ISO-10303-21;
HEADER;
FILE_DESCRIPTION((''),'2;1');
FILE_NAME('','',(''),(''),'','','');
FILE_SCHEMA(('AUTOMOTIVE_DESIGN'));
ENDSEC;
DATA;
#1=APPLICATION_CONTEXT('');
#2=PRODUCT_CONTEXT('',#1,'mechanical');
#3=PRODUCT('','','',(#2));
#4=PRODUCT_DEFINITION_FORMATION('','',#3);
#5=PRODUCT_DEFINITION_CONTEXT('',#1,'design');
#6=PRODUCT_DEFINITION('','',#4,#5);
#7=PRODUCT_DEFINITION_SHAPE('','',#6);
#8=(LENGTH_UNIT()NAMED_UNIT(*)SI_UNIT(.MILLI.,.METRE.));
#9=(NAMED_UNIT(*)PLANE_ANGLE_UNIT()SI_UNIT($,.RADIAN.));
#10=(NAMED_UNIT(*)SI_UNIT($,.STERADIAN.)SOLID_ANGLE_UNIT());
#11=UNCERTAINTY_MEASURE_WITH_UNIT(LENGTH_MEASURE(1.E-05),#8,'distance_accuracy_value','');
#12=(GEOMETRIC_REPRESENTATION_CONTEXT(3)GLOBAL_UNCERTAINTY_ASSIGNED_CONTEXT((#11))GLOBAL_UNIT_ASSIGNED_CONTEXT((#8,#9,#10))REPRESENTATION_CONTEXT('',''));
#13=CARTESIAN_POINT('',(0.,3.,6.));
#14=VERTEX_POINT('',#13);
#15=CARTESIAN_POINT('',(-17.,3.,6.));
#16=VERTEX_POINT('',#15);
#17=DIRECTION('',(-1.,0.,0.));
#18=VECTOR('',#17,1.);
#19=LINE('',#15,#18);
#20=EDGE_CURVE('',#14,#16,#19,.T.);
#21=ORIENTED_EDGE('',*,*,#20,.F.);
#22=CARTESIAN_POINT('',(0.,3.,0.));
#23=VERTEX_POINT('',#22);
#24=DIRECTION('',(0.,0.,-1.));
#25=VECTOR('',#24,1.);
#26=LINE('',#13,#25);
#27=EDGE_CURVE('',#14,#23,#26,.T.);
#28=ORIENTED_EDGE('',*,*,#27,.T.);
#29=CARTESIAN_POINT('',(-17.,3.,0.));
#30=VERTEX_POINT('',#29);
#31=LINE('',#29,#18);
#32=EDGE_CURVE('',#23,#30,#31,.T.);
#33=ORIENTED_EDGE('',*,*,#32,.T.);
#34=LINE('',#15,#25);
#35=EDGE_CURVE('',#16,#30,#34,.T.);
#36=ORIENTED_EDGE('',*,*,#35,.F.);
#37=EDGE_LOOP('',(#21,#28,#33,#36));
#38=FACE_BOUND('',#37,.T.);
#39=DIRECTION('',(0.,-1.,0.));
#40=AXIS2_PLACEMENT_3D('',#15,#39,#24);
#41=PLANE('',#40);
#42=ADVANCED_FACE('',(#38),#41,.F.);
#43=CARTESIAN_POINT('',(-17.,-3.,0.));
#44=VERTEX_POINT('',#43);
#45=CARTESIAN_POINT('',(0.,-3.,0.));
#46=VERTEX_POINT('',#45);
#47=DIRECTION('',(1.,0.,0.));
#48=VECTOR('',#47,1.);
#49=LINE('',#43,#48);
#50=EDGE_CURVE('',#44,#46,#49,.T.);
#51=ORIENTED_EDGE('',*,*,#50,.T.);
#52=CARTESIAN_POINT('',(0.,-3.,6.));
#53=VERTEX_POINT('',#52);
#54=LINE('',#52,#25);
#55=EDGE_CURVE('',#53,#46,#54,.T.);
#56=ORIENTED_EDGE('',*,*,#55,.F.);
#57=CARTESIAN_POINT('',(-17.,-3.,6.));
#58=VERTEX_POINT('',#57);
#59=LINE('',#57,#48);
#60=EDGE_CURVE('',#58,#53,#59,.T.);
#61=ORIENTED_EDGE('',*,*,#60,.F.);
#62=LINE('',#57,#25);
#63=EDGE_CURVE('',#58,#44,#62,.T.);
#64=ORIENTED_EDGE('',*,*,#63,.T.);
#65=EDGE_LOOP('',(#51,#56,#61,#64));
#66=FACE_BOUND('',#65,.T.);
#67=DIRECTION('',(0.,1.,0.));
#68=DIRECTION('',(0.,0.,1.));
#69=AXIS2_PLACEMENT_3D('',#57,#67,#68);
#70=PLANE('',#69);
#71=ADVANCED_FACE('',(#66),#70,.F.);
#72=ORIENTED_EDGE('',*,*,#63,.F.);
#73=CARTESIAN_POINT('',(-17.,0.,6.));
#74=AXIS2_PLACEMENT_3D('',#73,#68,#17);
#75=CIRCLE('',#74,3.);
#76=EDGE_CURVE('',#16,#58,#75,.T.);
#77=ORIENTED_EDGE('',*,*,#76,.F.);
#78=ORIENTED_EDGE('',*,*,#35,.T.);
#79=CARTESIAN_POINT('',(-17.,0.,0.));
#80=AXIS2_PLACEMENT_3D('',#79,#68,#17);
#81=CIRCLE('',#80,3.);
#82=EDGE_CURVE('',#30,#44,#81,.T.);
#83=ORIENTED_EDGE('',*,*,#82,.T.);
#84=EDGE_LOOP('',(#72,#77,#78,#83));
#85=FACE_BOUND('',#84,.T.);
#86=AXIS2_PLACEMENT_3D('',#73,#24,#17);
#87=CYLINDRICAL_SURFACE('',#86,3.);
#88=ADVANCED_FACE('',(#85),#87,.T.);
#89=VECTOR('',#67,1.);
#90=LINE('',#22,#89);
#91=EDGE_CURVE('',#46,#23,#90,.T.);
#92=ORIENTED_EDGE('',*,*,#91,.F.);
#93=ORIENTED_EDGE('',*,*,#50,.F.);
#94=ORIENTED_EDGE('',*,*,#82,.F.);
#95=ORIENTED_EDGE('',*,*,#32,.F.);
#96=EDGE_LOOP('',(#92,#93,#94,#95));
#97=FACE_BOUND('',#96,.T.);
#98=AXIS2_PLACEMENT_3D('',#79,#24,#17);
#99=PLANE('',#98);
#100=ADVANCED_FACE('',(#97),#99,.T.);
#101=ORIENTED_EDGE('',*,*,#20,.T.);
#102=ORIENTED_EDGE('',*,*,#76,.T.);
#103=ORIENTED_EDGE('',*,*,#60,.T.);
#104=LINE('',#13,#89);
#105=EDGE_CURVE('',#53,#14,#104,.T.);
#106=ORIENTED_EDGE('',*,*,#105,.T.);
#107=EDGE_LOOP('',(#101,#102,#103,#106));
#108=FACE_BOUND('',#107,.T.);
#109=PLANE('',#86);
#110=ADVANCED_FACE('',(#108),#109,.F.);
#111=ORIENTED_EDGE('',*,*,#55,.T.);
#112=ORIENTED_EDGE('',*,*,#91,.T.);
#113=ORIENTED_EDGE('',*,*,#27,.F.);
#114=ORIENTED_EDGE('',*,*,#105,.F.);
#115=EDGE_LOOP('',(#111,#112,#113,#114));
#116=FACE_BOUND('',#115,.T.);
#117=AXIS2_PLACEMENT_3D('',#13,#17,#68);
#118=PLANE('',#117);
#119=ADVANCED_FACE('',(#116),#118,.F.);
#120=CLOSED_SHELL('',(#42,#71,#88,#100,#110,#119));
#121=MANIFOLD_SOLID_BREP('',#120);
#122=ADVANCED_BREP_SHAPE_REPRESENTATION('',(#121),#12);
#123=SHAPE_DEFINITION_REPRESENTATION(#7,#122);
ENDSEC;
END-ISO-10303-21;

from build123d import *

# Parameters (mm, degrees)
BOSS_EXTRUDE1_DEPTH = 6


with BuildPart() as part:
    # Sketch1 → Boss-Extrude1 (new body)
    with BuildSketch(Plane.XY):
        with BuildLine():
            Line((-17, -3), (0, -3))
            Line((0, -3), (0, 3))
            Line((0, 3), (-17, 3))
            ThreePointArc((-17, 3), (-20, 0), (-17, -3))
        make_face()
    extrude(amount=BOSS_EXTRUDE1_DEPTH)


solid = part.part
